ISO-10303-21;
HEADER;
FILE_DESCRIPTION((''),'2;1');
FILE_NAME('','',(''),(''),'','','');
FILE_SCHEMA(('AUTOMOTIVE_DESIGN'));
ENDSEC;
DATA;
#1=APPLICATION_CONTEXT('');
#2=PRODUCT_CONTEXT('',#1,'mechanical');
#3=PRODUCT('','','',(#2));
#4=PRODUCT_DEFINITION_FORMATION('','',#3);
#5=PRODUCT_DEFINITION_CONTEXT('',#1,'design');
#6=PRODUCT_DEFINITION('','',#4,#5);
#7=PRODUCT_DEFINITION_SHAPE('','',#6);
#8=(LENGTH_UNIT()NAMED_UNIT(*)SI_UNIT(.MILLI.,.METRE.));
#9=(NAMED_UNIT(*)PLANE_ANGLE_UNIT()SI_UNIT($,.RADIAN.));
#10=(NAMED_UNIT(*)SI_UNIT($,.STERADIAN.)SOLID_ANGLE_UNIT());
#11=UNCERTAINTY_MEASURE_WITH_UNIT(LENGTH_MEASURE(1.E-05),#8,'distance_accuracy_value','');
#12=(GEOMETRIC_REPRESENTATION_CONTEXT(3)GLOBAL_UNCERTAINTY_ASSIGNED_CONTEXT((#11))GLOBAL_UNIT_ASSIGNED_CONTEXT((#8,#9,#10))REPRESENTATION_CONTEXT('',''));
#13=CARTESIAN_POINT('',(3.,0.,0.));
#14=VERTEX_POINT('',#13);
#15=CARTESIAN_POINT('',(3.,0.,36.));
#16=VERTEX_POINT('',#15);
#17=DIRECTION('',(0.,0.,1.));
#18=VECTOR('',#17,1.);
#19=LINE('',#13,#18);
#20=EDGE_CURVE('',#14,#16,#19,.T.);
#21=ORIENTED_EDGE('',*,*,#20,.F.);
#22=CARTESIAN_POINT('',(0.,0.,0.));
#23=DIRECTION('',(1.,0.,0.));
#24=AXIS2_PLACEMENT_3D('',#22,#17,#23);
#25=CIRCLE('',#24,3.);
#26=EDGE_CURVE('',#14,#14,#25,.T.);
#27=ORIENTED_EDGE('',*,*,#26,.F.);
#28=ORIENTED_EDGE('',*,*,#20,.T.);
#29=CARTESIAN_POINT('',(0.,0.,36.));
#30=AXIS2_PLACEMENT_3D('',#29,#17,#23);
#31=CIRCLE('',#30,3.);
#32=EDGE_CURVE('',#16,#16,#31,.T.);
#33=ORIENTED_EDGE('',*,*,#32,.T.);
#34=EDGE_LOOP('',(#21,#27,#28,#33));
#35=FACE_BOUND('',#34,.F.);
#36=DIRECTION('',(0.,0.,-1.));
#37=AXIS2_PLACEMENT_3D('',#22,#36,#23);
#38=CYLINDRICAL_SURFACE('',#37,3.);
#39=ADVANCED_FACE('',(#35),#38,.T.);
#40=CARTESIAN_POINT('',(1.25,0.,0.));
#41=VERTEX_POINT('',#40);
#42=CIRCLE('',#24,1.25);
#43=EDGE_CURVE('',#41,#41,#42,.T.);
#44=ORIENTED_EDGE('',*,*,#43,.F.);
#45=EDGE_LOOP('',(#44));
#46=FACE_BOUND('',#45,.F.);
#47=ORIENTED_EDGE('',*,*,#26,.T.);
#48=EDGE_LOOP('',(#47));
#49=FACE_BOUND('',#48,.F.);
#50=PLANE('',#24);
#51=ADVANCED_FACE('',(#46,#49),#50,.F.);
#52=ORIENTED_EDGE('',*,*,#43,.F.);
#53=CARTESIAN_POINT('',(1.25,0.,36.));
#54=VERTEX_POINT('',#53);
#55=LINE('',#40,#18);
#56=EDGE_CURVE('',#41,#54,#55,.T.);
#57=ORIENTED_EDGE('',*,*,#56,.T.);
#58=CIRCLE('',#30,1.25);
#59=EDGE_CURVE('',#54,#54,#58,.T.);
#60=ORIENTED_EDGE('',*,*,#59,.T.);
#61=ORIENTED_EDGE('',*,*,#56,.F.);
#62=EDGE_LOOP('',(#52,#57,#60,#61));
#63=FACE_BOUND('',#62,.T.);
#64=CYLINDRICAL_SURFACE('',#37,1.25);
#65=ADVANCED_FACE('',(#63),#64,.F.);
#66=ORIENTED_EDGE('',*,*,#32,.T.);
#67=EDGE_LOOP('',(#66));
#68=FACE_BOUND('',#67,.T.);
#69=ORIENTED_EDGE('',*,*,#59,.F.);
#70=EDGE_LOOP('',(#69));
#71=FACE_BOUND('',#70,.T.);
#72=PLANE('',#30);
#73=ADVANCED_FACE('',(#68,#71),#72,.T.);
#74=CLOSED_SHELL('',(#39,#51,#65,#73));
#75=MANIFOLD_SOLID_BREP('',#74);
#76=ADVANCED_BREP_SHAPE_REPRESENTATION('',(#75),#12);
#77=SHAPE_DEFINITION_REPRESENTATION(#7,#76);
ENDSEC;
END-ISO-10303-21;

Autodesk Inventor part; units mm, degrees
ref_plane "YZ Plane" through (0, 0, 0) normal (1, 0, 0) x (0, 1, 0)
ref_plane "XZ Plane" through (0, 0, 0) normal (0, 1, 0) x (-1, 0, 0)
ref_plane "XY Plane" through (0, 0, 0) normal (0, 0, 1) x (1, 0, 0)
sketch "スケッチ1" plane through (0, 0, 0) normal (0, 0, 1) x (1, 0, 0)
  circle A0 centre (0, 0) radius 3
  circle A1 centre (0, 0) radius 1.25
  dimension "d0" = 6
  dimension "d1" = 2.5
extrude "押し出し1" add sketch "スケッチ1" along normal blind 36
properties part number "25mm" material "アルミニウム"
